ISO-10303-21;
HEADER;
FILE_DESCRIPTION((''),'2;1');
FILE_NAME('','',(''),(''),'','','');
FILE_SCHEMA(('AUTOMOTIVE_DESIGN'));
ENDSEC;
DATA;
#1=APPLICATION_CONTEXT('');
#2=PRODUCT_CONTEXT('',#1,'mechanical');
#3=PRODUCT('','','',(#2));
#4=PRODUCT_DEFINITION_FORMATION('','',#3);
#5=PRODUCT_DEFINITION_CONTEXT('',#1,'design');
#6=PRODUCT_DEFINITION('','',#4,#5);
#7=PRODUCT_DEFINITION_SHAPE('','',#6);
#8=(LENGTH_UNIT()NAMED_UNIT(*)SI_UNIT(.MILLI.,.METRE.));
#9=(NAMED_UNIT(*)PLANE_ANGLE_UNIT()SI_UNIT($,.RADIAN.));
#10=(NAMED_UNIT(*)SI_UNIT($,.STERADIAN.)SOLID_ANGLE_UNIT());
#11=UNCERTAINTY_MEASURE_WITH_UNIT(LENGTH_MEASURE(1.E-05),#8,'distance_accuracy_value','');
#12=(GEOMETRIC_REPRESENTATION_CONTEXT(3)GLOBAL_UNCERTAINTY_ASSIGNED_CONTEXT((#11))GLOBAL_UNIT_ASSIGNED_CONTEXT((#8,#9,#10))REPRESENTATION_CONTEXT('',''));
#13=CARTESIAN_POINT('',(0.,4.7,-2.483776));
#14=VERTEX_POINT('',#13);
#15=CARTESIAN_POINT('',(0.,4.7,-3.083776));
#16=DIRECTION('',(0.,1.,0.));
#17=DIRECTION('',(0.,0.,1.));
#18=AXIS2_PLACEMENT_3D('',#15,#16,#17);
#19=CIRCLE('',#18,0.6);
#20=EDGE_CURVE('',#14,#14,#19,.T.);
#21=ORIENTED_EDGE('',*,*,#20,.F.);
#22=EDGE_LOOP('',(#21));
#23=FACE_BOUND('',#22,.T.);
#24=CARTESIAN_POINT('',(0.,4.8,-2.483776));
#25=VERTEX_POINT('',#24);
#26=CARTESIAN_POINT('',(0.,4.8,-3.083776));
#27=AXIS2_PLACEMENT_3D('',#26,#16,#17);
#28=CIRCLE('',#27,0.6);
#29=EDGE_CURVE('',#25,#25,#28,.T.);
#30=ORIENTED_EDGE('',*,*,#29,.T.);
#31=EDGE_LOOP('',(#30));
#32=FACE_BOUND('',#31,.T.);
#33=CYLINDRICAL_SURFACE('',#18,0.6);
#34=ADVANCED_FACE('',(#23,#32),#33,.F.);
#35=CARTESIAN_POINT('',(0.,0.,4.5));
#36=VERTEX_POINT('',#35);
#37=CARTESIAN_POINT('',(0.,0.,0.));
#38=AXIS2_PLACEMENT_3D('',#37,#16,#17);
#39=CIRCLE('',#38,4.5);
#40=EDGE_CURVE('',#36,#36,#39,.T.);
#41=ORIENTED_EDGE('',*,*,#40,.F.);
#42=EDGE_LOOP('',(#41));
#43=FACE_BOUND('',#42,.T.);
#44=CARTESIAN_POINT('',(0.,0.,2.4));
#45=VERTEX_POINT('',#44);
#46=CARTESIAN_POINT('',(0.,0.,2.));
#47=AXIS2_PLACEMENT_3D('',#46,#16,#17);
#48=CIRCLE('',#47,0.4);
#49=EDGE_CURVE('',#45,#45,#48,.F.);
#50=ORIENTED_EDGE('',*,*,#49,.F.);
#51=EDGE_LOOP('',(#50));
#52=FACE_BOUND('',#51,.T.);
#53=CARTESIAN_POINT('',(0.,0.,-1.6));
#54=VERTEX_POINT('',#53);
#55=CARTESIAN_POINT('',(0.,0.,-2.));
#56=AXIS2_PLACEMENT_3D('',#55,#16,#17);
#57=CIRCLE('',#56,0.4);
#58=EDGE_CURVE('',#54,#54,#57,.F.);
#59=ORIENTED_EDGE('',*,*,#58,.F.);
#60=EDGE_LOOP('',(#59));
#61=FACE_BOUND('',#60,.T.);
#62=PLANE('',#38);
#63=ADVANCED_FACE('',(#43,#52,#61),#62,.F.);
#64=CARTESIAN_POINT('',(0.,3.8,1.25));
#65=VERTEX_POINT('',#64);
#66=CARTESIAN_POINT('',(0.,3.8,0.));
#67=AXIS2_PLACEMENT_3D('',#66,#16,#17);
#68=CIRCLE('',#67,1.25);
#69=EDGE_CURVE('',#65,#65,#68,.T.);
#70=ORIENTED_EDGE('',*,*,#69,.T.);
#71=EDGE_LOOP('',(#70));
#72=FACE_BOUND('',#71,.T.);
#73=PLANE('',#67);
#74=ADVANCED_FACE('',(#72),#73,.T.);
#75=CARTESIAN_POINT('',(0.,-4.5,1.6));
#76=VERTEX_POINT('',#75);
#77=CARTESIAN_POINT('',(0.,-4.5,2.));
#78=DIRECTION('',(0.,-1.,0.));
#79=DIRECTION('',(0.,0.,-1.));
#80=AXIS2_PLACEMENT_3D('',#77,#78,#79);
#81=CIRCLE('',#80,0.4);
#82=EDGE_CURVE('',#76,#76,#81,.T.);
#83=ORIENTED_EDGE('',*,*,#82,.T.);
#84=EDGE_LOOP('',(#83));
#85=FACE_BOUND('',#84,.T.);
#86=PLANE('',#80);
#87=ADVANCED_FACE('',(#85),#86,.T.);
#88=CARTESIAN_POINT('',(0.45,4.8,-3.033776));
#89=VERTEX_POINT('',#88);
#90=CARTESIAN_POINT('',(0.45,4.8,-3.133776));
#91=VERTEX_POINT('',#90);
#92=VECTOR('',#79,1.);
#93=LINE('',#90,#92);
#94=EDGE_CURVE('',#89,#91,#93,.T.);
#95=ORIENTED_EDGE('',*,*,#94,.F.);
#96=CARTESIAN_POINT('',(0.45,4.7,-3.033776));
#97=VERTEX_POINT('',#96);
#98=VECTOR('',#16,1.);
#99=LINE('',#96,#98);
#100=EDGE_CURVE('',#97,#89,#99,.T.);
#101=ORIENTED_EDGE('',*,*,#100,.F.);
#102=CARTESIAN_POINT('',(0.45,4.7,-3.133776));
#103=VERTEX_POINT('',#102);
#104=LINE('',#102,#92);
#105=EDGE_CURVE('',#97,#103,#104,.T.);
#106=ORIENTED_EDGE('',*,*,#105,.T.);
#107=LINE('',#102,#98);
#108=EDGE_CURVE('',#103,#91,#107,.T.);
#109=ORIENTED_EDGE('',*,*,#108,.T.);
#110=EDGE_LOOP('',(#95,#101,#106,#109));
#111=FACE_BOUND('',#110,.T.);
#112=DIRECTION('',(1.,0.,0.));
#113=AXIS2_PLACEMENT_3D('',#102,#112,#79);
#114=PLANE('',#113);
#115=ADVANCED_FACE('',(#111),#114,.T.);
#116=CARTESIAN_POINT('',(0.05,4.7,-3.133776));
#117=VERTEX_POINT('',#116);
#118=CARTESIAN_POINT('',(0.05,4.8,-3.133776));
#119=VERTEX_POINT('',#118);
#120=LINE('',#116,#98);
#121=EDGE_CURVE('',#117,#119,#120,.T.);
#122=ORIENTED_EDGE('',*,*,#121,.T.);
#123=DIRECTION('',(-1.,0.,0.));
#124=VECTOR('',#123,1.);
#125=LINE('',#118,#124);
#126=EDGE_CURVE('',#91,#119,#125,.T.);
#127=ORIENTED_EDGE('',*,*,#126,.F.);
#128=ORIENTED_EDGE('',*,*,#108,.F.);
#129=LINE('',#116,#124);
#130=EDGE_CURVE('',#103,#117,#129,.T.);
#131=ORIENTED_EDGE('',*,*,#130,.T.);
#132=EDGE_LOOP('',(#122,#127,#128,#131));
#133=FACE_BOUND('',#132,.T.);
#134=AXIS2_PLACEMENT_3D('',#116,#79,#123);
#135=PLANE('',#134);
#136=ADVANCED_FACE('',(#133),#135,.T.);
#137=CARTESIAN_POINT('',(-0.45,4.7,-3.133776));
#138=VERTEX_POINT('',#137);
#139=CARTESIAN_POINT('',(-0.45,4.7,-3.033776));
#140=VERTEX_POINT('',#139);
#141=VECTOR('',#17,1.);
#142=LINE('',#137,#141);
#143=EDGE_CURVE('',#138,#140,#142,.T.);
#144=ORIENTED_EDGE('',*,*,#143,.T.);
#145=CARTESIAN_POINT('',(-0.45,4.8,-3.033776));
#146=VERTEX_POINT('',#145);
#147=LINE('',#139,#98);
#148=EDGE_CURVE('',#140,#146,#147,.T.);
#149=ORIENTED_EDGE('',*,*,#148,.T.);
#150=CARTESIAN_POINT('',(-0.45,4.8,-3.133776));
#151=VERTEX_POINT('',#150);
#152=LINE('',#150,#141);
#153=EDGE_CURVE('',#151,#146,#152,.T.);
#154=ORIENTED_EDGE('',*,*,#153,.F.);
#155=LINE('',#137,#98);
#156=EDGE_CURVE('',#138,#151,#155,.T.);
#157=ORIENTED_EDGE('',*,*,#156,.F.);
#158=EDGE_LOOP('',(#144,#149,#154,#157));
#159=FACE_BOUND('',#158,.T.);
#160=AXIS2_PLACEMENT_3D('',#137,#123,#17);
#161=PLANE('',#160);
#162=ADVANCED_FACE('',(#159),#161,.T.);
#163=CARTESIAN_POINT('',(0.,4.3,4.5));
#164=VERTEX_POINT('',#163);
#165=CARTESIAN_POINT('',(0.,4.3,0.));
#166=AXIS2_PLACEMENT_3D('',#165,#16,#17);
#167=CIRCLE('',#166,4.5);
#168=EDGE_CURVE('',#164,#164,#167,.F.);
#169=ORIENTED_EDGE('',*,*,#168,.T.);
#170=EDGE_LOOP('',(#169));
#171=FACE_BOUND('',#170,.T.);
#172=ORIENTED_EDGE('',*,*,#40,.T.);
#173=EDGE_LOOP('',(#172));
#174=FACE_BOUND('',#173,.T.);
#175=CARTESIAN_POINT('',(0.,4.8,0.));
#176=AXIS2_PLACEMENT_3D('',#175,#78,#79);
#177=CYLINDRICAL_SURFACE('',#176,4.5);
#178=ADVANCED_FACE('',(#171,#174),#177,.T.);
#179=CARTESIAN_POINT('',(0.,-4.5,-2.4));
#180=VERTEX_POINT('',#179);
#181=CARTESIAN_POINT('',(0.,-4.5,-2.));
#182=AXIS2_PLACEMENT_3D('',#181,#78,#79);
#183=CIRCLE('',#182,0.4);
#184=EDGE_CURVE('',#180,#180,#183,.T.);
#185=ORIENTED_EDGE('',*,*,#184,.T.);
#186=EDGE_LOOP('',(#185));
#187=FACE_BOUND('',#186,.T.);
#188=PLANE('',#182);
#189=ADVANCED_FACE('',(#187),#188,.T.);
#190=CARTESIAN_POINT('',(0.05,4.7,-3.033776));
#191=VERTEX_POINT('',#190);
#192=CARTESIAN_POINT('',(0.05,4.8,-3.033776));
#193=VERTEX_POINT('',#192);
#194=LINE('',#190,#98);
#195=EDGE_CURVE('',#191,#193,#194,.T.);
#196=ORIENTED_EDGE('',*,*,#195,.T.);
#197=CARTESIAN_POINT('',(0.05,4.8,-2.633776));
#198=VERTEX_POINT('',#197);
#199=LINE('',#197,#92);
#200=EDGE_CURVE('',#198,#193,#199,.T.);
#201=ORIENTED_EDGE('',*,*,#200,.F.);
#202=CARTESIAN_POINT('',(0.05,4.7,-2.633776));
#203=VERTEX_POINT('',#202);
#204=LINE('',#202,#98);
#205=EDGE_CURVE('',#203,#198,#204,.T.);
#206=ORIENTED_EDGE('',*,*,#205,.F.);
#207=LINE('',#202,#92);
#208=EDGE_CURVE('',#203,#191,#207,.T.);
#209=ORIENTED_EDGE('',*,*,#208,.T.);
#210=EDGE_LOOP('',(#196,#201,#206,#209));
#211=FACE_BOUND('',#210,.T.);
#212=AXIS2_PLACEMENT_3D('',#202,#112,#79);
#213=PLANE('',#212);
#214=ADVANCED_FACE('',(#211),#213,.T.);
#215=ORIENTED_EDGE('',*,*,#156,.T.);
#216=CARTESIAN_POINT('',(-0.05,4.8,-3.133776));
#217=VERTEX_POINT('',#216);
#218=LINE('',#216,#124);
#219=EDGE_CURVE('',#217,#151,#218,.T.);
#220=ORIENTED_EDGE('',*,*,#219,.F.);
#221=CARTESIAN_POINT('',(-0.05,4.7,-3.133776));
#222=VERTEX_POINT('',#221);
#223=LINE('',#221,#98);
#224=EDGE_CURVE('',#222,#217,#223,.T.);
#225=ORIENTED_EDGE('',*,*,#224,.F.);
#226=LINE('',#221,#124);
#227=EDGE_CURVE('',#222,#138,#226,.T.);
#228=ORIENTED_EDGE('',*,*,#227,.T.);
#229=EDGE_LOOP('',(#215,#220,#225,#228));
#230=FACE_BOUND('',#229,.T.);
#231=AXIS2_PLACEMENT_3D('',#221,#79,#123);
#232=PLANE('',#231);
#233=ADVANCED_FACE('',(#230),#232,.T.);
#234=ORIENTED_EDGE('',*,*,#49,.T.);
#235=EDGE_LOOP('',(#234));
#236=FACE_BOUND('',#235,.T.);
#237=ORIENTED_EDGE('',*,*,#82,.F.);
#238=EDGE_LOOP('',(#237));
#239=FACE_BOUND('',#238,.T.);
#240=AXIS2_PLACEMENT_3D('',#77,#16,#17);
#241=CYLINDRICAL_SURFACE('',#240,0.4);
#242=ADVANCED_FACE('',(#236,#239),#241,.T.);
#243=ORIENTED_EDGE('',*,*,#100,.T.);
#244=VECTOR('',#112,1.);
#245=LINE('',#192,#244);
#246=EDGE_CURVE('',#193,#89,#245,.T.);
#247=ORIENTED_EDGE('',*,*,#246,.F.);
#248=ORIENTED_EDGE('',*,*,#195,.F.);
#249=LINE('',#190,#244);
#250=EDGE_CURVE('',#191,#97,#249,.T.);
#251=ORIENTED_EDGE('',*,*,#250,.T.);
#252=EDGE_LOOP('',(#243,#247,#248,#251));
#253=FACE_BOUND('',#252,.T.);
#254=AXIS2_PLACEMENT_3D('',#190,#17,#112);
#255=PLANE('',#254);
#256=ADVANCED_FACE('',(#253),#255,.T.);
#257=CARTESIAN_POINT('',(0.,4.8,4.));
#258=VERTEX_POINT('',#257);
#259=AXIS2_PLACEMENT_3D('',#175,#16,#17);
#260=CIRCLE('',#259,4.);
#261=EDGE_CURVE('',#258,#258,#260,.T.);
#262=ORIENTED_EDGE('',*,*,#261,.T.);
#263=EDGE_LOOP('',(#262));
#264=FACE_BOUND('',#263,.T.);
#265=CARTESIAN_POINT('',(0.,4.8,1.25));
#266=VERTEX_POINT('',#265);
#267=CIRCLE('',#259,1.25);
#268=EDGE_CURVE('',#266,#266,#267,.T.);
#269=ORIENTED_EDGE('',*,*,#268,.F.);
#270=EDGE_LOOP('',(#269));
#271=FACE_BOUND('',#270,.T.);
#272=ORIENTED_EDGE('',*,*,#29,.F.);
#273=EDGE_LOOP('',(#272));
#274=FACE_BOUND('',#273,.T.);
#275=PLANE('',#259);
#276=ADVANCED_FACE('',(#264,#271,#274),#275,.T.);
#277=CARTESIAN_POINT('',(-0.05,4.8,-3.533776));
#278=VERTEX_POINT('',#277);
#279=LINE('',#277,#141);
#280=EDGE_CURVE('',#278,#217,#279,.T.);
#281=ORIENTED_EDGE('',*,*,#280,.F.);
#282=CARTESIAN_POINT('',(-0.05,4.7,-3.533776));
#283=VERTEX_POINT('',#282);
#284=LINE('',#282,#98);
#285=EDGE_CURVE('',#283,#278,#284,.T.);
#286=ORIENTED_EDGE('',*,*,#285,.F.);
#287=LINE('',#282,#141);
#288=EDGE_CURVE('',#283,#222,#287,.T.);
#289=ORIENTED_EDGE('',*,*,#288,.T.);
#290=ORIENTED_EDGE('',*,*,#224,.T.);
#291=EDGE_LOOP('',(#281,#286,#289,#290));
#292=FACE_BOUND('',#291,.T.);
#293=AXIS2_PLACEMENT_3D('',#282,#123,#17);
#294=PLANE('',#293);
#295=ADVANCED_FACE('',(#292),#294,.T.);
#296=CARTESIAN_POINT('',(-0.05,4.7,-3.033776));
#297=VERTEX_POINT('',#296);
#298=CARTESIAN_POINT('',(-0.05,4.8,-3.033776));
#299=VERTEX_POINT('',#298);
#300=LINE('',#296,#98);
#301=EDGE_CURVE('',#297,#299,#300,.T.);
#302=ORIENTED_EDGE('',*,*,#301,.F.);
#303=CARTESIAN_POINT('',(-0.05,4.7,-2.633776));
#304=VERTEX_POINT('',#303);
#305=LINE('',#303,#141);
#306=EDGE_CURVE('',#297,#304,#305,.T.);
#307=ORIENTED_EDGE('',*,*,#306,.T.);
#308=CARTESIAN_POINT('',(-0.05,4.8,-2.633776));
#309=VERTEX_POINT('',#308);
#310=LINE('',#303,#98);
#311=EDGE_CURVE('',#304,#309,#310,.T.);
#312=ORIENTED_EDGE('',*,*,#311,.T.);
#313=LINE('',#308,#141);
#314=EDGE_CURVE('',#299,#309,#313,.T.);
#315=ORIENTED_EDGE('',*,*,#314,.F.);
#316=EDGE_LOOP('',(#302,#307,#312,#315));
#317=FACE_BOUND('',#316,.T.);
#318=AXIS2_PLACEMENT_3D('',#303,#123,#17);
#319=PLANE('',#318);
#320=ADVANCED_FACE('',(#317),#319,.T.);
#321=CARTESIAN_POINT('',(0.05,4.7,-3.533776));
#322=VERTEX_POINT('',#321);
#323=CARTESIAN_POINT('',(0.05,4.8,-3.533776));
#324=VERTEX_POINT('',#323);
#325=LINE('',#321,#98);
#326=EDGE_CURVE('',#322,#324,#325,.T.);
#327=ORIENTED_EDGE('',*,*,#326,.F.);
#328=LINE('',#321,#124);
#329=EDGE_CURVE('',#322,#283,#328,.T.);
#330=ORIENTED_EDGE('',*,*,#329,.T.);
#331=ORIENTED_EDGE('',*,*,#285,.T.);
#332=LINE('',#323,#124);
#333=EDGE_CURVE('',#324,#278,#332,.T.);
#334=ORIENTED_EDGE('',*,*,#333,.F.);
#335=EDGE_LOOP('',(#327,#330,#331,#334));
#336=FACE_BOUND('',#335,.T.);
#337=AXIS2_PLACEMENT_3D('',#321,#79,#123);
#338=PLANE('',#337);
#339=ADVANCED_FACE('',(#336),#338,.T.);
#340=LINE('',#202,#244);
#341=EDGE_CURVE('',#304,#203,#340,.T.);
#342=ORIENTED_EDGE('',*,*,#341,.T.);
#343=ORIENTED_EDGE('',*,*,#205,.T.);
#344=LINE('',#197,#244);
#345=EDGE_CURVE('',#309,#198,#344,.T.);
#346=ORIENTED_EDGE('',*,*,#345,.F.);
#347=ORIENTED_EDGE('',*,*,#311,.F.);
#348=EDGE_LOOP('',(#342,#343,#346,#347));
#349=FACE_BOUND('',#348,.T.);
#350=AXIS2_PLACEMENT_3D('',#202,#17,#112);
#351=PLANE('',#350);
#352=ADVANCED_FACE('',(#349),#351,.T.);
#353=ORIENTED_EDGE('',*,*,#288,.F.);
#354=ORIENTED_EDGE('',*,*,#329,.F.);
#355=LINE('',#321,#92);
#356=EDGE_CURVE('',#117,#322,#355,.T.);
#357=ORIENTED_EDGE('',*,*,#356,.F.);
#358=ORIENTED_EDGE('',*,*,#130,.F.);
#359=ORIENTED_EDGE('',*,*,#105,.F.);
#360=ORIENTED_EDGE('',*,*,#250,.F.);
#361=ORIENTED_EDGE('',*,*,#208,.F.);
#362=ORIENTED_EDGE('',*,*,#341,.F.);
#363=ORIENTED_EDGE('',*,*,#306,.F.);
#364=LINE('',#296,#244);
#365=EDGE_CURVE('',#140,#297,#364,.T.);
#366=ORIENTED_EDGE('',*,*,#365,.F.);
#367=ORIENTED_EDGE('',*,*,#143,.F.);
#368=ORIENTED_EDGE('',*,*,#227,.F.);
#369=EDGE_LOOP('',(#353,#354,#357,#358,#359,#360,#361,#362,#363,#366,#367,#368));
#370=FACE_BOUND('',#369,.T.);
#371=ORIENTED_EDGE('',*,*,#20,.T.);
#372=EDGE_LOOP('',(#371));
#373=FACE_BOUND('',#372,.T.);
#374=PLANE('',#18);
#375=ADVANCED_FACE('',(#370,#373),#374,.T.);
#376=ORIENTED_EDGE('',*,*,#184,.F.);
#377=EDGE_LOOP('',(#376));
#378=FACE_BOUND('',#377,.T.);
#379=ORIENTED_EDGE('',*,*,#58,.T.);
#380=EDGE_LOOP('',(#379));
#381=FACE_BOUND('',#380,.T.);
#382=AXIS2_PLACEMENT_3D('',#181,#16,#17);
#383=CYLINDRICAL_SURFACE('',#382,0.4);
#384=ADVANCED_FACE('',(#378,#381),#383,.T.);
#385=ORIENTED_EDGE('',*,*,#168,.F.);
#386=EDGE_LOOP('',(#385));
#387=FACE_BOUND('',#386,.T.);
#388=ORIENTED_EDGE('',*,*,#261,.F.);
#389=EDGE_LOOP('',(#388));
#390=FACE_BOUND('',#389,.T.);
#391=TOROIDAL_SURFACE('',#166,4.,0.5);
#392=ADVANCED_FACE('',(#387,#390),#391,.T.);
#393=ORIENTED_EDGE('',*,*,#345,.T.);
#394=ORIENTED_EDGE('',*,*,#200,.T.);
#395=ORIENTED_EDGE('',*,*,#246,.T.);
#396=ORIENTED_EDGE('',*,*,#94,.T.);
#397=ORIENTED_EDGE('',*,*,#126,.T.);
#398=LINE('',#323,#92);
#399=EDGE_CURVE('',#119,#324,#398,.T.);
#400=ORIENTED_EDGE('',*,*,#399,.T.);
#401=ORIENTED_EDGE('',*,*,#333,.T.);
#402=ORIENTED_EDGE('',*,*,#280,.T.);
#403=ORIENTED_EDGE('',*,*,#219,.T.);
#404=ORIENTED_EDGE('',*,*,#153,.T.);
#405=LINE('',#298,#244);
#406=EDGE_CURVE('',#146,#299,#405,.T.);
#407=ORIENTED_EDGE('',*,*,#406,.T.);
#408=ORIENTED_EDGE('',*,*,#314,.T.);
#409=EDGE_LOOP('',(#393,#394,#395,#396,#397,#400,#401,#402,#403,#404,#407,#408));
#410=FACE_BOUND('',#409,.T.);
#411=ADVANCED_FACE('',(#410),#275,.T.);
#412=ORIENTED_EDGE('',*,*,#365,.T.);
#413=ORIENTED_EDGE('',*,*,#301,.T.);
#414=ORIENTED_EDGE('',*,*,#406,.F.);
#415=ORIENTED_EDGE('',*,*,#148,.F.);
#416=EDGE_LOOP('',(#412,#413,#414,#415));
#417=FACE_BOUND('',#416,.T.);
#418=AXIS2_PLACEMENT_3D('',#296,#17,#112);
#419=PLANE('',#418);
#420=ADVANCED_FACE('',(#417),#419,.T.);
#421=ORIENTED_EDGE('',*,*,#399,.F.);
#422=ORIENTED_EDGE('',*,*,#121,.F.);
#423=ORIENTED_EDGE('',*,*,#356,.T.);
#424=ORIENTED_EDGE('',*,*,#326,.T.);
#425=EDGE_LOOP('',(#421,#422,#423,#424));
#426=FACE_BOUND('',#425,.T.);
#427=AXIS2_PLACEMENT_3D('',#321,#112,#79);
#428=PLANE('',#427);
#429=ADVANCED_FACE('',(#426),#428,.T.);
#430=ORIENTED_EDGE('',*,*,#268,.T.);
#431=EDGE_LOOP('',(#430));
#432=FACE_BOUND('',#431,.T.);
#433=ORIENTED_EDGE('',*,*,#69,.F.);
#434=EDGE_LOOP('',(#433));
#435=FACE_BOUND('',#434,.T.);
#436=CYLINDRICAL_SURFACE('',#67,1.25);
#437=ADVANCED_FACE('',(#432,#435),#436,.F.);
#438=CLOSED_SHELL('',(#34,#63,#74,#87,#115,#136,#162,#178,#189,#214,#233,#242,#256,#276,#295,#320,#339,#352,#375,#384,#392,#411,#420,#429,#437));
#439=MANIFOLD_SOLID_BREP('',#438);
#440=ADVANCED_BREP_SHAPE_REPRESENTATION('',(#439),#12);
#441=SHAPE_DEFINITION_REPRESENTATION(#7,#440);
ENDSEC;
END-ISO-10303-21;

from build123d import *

# Parameters (mm, degrees)
SKETCH1_R          = 4.5
EXTRUDE1_DEPTH     = 4.8
FILLET1_R          = 0.5
SKETCH6_R          = 0.4
EXTRUDE6_DEPTH     = 4.5
SKETCH2_R          = 1.25
CUT_EXTRUDE2_DEPTH = 1
SKETCH8_R          = 0.6
CUT_EXTRUDE3_DEPTH = 0.1


with BuildPart() as part:
    # Sketch1 → Extrude1 (new body)
    with BuildSketch(Plane(origin=(0, 0, 0), x_dir=(1, 0, 0), z_dir=(0, 1, 0))):
        with Locations(Location((0, 0, 0), (0, 0, 270))):
            Circle(SKETCH1_R)
    extrude(amount=EXTRUDE1_DEPTH)

    # Fillet1
    fillet1_edges = [part.edges().sort_by_distance(p)[0] for p in [
        (0, 4.8, -4.5),
    ]]
    fillet(fillet1_edges, radius=FILLET1_R)

    # Sketch6 → Extrude6 (add)
    with BuildSketch(Plane.XZ):
        with Locations(Location((0, -2, 0), (0, 0, 90))):
            Circle(SKETCH6_R)
        with Locations(Location((0, 2, 0), (0, 0, 90))):
            Circle(SKETCH6_R)
    extrude(amount=EXTRUDE6_DEPTH)

    # Sketch2 → Cut-Extrude2 (cut)
    with BuildSketch(Plane(origin=(0, 4.8, 0), x_dir=(1, 0, 0), z_dir=(0, 1, 0))):
        with Locations(Location((0, 0, 0), (0, 0, 270))):
            Circle(SKETCH2_R)
    extrude(amount=-CUT_EXTRUDE2_DEPTH, mode=Mode.SUBTRACT)

    # Sketch8 → Cut-Extrude3 (cut)
    with BuildSketch(Plane(origin=(0, 4.8, 0), x_dir=(1, 0, 0), z_dir=(0, 1, 0))):
        with Locations(Location((0, 3.083775569, 0), (0, 0, 270))):
            Circle(SKETCH8_R)
        Polygon((0.05, 3.533775569), (-0.05, 3.533775569), (-0.05, 3.133775569), (-0.45, 3.133775569), (-0.45, 3.033775569), (-0.05, 3.033775569), (-0.05, 2.633775569), (0.05, 2.633775569), (0.05, 3.033775569), (0.45, 3.033775569), (0.45, 3.133775569), (0.05, 3.133775569), align=None, mode=Mode.SUBTRACT)
    extrude(amount=-CUT_EXTRUDE3_DEPTH, mode=Mode.SUBTRACT)


solid = part.part
